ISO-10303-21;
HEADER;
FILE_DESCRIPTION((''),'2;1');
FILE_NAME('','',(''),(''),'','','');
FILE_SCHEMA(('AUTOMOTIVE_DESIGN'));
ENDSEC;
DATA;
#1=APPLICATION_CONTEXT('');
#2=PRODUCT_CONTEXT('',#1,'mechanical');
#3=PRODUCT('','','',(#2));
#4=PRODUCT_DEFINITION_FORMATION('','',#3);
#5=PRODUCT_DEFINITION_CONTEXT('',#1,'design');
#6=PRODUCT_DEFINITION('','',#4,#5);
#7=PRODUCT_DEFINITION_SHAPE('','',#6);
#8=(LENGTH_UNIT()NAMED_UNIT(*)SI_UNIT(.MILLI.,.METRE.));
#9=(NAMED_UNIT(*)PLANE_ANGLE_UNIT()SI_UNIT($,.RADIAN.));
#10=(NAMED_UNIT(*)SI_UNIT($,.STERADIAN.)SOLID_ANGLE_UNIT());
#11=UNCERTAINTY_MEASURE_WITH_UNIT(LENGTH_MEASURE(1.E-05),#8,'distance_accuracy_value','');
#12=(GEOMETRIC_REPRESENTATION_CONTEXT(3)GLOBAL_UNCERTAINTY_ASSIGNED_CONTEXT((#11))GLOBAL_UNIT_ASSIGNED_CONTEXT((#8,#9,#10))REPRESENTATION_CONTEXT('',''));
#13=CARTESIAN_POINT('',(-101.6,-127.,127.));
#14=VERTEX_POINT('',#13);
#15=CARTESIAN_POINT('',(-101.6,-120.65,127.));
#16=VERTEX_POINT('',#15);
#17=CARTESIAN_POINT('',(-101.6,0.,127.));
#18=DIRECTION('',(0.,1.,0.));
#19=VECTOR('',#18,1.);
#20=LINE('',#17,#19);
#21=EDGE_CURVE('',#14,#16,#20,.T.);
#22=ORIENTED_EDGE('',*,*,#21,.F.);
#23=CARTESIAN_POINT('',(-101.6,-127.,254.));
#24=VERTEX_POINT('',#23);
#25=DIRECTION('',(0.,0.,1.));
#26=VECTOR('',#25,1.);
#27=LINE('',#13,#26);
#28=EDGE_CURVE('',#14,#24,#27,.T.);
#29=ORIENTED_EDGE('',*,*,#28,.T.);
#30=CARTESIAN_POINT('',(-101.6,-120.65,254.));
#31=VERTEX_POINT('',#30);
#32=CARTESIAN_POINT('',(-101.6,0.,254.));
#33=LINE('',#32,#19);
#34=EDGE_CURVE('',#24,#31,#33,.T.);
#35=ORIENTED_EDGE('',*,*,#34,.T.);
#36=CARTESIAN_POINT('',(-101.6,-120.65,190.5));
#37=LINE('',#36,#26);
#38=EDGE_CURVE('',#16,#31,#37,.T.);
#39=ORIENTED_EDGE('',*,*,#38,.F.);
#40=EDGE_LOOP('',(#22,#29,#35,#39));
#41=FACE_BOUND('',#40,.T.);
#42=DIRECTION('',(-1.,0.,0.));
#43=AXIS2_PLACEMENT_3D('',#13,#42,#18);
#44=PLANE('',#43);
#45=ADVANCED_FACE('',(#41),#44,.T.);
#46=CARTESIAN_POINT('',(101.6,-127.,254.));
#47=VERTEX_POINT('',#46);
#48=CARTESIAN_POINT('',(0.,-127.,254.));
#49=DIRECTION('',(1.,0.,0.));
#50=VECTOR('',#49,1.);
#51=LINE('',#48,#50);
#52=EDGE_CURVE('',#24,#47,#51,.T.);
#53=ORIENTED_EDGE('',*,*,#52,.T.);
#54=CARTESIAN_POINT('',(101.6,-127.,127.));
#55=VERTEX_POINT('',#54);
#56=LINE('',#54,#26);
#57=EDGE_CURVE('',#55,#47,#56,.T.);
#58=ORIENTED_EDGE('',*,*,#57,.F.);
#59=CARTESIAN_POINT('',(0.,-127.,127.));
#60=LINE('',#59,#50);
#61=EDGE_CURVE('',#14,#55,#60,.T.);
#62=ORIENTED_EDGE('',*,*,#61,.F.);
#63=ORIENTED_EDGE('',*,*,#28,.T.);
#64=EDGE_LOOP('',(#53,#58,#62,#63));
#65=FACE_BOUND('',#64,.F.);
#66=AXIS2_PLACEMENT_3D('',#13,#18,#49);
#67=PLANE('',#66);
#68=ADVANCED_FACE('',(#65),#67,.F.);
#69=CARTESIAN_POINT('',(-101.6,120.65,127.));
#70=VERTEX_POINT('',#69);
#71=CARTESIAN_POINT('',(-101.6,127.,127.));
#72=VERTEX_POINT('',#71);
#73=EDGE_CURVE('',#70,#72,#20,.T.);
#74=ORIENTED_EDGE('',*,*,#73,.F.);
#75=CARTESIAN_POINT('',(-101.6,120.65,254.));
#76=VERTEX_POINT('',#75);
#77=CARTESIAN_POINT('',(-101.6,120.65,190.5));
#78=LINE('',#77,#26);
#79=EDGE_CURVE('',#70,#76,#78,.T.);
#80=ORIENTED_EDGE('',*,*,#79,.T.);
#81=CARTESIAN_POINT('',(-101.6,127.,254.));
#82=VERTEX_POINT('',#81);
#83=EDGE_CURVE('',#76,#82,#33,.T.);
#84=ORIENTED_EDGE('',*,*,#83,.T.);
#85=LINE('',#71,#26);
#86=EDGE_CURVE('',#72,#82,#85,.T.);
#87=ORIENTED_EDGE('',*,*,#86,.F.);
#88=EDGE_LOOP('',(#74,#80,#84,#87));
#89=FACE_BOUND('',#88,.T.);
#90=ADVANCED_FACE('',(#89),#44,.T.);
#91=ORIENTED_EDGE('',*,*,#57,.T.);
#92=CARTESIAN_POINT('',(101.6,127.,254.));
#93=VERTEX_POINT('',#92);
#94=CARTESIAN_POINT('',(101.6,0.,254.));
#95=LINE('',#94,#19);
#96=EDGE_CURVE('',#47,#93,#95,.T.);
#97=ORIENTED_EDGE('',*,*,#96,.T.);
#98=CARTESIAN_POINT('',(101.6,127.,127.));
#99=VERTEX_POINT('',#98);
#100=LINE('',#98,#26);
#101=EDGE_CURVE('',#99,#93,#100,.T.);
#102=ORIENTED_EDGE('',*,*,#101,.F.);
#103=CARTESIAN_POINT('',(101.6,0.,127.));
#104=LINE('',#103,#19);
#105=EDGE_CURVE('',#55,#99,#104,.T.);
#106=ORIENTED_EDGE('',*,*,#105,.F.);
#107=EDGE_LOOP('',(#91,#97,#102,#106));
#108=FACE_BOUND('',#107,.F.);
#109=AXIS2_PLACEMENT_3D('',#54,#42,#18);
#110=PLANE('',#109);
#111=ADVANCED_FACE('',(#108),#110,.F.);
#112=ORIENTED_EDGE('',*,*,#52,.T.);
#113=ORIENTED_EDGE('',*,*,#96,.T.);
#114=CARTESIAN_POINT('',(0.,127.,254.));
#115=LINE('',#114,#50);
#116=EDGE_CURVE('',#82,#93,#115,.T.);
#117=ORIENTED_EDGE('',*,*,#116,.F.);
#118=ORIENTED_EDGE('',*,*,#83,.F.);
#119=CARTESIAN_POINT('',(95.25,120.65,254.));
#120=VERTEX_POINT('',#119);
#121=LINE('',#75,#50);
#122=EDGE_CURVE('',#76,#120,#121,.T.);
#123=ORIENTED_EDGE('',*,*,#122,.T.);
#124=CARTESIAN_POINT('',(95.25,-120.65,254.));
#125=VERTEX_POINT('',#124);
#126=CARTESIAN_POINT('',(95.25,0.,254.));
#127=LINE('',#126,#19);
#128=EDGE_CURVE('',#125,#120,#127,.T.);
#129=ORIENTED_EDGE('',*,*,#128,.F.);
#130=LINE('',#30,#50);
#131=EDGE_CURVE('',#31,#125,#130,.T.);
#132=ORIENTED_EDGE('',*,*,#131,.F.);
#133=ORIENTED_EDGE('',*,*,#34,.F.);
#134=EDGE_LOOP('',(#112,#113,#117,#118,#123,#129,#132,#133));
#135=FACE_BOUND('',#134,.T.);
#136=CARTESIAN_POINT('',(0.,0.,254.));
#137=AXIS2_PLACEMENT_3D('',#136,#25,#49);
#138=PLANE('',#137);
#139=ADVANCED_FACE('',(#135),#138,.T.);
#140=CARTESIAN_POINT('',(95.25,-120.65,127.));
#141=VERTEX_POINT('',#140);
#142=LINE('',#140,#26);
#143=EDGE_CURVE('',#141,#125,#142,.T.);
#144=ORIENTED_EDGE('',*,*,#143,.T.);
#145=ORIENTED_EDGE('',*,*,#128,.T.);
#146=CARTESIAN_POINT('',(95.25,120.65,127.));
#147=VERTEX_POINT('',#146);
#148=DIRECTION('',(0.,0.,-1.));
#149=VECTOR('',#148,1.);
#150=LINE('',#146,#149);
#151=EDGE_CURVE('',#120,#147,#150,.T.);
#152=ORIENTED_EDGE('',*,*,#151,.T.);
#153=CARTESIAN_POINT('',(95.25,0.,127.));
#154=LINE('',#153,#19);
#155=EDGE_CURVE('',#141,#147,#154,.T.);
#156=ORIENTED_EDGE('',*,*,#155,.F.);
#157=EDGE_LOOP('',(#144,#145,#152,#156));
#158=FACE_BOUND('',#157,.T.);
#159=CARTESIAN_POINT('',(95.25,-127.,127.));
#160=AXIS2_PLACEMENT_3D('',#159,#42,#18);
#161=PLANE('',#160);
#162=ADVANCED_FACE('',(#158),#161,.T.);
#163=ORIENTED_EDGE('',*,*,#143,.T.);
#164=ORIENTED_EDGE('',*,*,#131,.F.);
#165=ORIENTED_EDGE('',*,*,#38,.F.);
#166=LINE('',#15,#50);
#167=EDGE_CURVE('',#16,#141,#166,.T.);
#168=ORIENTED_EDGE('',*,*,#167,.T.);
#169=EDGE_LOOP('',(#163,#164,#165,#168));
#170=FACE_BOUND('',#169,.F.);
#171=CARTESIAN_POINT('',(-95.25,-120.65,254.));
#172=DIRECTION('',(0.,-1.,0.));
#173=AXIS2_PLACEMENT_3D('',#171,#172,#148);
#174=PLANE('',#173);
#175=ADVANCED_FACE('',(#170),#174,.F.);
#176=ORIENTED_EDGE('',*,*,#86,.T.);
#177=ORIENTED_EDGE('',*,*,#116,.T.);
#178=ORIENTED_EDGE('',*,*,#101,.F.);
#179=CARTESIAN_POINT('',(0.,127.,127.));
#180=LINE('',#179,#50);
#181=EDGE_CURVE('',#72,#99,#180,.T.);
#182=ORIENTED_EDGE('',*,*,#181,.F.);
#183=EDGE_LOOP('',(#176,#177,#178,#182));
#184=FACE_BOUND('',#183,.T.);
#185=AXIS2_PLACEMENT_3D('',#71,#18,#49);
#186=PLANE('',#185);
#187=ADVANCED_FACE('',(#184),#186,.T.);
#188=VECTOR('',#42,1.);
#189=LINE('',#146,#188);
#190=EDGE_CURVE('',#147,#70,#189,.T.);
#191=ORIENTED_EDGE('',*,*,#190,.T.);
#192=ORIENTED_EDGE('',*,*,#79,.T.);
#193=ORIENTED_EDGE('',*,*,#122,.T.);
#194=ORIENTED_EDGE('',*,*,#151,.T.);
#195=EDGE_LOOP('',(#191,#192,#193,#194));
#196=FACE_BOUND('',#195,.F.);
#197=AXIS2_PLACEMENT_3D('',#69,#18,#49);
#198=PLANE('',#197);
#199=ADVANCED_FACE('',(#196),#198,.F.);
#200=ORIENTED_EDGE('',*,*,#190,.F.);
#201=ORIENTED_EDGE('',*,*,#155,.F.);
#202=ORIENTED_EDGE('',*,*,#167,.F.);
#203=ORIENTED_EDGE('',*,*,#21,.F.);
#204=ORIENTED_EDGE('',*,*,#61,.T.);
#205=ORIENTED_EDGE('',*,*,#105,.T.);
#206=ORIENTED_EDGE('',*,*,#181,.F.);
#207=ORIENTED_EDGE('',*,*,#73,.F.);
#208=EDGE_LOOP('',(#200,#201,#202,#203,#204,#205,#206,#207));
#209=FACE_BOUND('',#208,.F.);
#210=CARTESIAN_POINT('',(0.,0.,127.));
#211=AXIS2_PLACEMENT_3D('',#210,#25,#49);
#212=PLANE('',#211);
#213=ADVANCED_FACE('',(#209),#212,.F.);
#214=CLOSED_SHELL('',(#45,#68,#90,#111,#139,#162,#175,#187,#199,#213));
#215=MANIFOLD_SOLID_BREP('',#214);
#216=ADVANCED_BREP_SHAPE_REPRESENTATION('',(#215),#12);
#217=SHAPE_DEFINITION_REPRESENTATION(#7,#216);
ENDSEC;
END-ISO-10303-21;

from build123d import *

# Parameters (mm, degrees)
F7_W      = 203.2
F7_H      = 254
F8_DEPTH  = 127
F9_T      = -6.35
F10_DEPTH = 25.4


with BuildPart() as f8:
    # F7 (on offset) → F8 (new body)
    with BuildSketch(Plane.XY.offset(127)):
        Rectangle(F7_W, F7_H)
    extrude(amount=F8_DEPTH)

    # F9
    f9_openings = [f8.faces().sort_by_distance(p)[0] for p in [
        (0, 0, 254),
        (0, 0, 127),
    ]]
    offset(amount=F9_T, openings=f9_openings)

    # F10 (cut): a face of the model
    f10_faces = [f8.faces().sort_by_distance(p)[0] for p in [
        (-95.25, 0, 190.5),
    ]]
    extrude(f10_faces, amount=-F10_DEPTH, mode=Mode.SUBTRACT)


solid = f8.part
